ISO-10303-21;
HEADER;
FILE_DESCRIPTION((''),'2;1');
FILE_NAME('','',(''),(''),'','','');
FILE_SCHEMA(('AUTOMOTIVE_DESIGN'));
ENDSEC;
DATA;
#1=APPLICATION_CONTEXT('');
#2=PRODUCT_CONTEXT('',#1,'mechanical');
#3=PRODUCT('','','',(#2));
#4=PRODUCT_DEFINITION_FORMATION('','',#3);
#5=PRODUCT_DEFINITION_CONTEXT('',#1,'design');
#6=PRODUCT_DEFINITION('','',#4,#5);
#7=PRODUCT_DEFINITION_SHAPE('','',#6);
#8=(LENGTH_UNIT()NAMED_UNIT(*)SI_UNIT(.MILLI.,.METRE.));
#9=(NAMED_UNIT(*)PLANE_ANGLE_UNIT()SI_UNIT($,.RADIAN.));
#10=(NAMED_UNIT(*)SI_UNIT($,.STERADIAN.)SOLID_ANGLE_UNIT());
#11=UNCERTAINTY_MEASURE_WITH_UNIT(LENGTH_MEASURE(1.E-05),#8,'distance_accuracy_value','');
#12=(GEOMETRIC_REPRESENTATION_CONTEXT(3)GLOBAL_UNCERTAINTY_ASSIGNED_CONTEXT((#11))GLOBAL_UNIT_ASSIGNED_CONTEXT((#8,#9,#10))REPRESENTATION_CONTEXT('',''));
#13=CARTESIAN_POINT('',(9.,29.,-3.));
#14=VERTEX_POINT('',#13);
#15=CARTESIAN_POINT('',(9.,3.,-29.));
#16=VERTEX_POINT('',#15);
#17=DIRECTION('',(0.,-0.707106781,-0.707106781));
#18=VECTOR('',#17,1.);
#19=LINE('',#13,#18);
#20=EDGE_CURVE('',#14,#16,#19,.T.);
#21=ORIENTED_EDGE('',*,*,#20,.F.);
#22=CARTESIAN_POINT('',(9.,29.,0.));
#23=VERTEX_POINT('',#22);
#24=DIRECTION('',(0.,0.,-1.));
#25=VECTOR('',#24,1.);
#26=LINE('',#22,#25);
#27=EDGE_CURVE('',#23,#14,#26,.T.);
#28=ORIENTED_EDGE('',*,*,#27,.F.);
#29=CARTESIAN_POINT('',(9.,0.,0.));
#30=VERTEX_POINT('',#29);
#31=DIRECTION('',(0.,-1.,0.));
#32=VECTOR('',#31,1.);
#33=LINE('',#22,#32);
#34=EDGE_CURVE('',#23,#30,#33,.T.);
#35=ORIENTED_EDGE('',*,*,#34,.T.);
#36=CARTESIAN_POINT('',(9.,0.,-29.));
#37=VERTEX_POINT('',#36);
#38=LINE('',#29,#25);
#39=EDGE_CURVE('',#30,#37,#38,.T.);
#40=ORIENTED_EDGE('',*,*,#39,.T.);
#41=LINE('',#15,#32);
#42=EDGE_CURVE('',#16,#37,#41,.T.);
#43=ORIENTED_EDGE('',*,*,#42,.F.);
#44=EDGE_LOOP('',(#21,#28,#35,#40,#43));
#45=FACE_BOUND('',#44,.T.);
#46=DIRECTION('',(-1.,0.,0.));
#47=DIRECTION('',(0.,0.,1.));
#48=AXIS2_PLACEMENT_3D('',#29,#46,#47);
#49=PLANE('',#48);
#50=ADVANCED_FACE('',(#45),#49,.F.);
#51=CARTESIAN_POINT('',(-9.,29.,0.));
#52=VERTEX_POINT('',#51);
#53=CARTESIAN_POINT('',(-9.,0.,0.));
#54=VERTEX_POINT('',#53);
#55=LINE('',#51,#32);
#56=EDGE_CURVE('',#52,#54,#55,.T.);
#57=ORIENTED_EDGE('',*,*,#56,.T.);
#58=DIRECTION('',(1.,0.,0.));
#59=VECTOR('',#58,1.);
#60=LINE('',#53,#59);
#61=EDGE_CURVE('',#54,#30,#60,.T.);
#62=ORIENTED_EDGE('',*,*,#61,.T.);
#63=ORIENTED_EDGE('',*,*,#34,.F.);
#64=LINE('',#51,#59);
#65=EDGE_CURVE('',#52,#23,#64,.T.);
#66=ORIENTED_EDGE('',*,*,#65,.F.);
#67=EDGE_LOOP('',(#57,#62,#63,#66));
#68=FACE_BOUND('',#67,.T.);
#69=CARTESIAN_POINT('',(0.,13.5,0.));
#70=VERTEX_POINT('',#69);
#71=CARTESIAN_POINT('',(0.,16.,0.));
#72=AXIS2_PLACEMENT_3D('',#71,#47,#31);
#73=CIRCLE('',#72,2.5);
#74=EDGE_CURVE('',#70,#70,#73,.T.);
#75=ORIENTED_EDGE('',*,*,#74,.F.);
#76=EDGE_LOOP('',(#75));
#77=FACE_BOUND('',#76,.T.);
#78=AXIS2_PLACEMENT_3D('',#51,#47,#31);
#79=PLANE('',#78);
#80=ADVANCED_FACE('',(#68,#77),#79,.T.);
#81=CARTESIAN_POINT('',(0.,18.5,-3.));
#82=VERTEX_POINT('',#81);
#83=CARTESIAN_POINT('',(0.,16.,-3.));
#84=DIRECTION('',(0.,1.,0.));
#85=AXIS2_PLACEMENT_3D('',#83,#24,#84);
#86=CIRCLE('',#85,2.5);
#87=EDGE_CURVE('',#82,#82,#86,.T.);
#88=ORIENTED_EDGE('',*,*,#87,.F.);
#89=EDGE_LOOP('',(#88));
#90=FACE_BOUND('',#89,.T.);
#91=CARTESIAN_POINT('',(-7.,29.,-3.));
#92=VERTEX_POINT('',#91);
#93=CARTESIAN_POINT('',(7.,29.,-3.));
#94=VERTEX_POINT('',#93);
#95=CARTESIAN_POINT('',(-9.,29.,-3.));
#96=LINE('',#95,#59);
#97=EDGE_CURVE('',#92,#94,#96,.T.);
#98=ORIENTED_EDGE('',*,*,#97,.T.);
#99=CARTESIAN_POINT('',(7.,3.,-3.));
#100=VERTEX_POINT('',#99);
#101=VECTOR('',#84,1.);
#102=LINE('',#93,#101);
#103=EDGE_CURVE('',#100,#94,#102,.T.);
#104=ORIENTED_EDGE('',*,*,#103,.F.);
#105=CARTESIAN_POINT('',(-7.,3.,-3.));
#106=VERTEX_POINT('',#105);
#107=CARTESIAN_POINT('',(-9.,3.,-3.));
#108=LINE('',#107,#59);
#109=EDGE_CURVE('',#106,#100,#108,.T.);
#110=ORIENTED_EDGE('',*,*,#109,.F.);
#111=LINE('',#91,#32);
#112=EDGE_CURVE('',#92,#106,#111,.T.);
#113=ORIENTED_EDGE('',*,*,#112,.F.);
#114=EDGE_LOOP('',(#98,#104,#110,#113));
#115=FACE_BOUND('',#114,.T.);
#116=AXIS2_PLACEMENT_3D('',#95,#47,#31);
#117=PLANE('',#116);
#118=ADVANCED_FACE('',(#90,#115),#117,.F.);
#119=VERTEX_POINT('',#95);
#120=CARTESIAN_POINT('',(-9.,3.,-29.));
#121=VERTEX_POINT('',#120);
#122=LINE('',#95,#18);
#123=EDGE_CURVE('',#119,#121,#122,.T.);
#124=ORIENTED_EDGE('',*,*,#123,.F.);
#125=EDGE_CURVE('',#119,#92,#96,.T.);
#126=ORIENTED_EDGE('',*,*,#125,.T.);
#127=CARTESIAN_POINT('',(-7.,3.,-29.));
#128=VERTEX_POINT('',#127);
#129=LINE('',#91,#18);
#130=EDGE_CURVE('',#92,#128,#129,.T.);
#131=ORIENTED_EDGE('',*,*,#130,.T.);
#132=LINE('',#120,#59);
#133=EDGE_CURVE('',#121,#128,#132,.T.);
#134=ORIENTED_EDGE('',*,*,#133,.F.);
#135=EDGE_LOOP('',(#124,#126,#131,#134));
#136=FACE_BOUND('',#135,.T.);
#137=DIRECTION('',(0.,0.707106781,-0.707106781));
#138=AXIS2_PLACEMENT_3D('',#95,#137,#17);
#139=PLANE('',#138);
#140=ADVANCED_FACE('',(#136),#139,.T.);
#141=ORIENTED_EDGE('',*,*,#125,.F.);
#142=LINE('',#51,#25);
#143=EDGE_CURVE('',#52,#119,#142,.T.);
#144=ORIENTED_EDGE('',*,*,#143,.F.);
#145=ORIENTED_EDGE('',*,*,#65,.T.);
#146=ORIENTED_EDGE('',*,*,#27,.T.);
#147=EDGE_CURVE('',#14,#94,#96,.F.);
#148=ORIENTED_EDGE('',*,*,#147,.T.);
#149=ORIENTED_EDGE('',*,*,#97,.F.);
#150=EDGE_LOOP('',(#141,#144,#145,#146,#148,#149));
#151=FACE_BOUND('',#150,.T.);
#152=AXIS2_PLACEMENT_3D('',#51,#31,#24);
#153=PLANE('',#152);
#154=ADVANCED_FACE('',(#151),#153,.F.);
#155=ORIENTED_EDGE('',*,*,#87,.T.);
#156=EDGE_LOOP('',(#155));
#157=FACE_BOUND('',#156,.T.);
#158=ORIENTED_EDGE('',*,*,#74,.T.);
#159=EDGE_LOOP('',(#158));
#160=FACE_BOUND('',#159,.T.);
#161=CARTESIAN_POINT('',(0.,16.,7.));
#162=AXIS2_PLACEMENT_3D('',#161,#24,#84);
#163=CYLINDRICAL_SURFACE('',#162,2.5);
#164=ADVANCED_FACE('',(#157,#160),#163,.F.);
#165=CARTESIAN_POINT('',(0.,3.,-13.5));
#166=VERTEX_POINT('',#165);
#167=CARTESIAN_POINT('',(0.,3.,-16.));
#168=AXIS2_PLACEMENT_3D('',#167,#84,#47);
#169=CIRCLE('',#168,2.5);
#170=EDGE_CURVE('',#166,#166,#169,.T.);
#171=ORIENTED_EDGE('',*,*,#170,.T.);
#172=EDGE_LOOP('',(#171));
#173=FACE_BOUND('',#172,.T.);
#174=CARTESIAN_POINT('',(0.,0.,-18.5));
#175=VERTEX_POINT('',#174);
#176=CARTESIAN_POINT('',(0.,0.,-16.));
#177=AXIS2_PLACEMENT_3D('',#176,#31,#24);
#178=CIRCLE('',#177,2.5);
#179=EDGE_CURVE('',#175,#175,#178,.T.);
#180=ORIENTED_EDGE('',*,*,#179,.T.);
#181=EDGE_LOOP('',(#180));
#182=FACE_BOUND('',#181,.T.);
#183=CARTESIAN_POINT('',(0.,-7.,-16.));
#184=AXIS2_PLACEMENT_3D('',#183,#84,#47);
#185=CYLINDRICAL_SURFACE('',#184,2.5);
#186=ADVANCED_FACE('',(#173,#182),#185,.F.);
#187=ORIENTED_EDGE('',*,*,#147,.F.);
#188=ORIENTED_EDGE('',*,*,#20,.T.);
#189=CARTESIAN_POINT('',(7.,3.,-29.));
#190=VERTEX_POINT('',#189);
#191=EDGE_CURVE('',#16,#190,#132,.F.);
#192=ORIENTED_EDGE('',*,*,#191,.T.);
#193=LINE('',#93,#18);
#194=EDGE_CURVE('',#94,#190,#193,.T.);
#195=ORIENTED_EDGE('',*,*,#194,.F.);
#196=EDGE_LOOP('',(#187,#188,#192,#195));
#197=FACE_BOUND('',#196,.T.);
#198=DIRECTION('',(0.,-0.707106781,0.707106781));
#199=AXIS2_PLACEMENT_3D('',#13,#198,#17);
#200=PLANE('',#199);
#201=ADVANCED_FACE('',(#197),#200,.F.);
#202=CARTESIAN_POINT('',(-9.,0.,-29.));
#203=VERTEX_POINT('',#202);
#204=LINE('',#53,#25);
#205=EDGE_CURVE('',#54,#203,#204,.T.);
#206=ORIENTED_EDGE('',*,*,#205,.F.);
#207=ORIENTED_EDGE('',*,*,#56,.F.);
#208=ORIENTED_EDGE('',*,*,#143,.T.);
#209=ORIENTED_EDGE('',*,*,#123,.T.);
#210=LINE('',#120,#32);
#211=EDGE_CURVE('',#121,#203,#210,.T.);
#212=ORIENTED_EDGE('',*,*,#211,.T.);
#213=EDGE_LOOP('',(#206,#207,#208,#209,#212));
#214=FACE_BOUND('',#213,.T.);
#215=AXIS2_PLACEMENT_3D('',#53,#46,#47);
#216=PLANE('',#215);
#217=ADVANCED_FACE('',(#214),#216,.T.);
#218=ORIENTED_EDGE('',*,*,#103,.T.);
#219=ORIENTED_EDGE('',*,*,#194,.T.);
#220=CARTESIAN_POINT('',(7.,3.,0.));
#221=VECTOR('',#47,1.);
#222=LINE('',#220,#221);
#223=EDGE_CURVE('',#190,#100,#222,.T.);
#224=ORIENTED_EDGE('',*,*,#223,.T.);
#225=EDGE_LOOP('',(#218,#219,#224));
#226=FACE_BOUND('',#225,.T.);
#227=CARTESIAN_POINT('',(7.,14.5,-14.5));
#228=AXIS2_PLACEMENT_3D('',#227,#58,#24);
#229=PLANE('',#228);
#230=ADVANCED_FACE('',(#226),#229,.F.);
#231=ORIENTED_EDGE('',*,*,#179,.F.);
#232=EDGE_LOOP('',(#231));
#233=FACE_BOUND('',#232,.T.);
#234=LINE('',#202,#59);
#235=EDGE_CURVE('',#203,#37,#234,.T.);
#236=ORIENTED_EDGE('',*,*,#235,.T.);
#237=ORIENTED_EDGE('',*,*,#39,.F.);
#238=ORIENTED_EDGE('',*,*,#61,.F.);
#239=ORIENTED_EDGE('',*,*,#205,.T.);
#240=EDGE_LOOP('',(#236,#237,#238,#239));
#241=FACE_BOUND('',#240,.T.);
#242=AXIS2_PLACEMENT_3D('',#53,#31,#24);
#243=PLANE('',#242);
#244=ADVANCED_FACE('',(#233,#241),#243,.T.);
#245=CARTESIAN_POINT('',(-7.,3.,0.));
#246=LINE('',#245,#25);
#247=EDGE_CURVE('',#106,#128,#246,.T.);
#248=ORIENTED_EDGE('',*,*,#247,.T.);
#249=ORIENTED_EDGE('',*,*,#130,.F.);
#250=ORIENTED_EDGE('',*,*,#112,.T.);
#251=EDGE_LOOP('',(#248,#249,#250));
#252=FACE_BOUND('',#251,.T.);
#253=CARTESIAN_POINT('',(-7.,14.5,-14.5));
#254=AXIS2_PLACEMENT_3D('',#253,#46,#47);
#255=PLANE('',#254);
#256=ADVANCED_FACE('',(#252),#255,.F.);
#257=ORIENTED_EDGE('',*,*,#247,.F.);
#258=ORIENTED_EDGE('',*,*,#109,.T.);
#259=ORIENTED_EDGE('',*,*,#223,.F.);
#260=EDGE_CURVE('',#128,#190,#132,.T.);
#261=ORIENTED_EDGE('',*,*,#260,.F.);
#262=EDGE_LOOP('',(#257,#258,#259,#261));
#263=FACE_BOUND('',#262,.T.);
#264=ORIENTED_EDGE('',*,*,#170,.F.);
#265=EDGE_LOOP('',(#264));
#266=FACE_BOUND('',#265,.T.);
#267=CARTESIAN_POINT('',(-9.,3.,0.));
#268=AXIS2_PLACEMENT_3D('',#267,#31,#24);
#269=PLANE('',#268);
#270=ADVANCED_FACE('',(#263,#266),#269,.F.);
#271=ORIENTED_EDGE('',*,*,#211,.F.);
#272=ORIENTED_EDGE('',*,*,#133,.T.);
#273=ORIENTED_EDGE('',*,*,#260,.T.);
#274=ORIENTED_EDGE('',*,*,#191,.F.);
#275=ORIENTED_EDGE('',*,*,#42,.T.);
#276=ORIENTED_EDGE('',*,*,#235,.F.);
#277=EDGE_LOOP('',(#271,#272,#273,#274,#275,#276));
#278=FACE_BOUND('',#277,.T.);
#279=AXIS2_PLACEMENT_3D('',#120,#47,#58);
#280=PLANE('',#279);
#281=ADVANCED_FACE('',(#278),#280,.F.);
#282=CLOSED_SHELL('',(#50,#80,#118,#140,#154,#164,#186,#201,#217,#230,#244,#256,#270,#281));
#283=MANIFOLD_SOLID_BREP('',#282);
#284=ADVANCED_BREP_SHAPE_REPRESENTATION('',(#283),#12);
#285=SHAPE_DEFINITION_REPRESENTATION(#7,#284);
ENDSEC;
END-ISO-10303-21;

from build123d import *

# Parameters (mm, degrees)
EXTRUDE_THIN1_DEPTH      = 9
EXTRUDE_THIN1_DEPTH_BACK = 9
RIB1_REACH               = 46.788
SKETCH2_WALL_W           = 128.346335328
SKETCH2_WALL_H           = 2
SKETCH3_R                = 2.5
CUT_EXTRUDE1_DEPTH       = 10
SKETCH4_R                = 2.5
CUT_EXTRUDE2_DEPTH       = 10


with BuildPart() as part:
    # Sketch1 → Extrude-Thin1 (new, two sides)
    with BuildSketch(Plane(origin=(0, 0, 0), x_dir=(0, 0, -1), z_dir=(1, 0, 0))) as extrude_thin1_sk:
        Polygon((0, 29), (0, 0), (29, 0), (29, 3), (3, 3), (3, 29), align=None)
    extrude(amount=EXTRUDE_THIN1_DEPTH)
    extrude(extrude_thin1_sk.sketch, amount=-EXTRUDE_THIN1_DEPTH_BACK)

    # Sketch2 wall → Rib1 (add, up to next)
    with BuildSketch(Plane(origin=(9, 16, -16), x_dir=(0, -0.707106781187, -0.707106781187), z_dir=(0, 0.707106781187, -0.707106781187)), mode=Mode.PRIVATE) as rib1_sk1:
        with Locations((0, 1)):
            Rectangle(SKETCH2_WALL_W, SKETCH2_WALL_H)
    rib1_tool1 = extrude(rib1_sk1.sketch, amount=-RIB1_REACH, mode=Mode.PRIVATE) - part.part
    rib1 = rib1_tool1.solids().sort_by_distance((9, 16, -16))[0]
    add(rib1)

    # Mirror1: Rib1 across plane
    add(rib1.mirror(Plane(origin=(0, 0, 0), x_dir=(0, 0, 1), z_dir=(1, 0, 0))))

    # Sketch3 → Cut-Extrude1 (cut)
    with BuildSketch(Plane(origin=(0, 3, 0), x_dir=(1, 0, 0), z_dir=(0, 1, 0))):
        with Locations(Location((0, 16, 0), (0, 0, 270))):
            Circle(SKETCH3_R)
    extrude(amount=-CUT_EXTRUDE1_DEPTH, mode=Mode.SUBTRACT)

    # Sketch4 → Cut-Extrude2 (cut)
    with BuildSketch(Plane(origin=(0, 0, -3), x_dir=(-1, 0, 0), z_dir=(0, 0, -1))):
        with Locations(Location((0, 16, 0), (0, 0, 90))):
            Circle(SKETCH4_R)
    extrude(amount=-CUT_EXTRUDE2_DEPTH, mode=Mode.SUBTRACT)


solid = part.part
